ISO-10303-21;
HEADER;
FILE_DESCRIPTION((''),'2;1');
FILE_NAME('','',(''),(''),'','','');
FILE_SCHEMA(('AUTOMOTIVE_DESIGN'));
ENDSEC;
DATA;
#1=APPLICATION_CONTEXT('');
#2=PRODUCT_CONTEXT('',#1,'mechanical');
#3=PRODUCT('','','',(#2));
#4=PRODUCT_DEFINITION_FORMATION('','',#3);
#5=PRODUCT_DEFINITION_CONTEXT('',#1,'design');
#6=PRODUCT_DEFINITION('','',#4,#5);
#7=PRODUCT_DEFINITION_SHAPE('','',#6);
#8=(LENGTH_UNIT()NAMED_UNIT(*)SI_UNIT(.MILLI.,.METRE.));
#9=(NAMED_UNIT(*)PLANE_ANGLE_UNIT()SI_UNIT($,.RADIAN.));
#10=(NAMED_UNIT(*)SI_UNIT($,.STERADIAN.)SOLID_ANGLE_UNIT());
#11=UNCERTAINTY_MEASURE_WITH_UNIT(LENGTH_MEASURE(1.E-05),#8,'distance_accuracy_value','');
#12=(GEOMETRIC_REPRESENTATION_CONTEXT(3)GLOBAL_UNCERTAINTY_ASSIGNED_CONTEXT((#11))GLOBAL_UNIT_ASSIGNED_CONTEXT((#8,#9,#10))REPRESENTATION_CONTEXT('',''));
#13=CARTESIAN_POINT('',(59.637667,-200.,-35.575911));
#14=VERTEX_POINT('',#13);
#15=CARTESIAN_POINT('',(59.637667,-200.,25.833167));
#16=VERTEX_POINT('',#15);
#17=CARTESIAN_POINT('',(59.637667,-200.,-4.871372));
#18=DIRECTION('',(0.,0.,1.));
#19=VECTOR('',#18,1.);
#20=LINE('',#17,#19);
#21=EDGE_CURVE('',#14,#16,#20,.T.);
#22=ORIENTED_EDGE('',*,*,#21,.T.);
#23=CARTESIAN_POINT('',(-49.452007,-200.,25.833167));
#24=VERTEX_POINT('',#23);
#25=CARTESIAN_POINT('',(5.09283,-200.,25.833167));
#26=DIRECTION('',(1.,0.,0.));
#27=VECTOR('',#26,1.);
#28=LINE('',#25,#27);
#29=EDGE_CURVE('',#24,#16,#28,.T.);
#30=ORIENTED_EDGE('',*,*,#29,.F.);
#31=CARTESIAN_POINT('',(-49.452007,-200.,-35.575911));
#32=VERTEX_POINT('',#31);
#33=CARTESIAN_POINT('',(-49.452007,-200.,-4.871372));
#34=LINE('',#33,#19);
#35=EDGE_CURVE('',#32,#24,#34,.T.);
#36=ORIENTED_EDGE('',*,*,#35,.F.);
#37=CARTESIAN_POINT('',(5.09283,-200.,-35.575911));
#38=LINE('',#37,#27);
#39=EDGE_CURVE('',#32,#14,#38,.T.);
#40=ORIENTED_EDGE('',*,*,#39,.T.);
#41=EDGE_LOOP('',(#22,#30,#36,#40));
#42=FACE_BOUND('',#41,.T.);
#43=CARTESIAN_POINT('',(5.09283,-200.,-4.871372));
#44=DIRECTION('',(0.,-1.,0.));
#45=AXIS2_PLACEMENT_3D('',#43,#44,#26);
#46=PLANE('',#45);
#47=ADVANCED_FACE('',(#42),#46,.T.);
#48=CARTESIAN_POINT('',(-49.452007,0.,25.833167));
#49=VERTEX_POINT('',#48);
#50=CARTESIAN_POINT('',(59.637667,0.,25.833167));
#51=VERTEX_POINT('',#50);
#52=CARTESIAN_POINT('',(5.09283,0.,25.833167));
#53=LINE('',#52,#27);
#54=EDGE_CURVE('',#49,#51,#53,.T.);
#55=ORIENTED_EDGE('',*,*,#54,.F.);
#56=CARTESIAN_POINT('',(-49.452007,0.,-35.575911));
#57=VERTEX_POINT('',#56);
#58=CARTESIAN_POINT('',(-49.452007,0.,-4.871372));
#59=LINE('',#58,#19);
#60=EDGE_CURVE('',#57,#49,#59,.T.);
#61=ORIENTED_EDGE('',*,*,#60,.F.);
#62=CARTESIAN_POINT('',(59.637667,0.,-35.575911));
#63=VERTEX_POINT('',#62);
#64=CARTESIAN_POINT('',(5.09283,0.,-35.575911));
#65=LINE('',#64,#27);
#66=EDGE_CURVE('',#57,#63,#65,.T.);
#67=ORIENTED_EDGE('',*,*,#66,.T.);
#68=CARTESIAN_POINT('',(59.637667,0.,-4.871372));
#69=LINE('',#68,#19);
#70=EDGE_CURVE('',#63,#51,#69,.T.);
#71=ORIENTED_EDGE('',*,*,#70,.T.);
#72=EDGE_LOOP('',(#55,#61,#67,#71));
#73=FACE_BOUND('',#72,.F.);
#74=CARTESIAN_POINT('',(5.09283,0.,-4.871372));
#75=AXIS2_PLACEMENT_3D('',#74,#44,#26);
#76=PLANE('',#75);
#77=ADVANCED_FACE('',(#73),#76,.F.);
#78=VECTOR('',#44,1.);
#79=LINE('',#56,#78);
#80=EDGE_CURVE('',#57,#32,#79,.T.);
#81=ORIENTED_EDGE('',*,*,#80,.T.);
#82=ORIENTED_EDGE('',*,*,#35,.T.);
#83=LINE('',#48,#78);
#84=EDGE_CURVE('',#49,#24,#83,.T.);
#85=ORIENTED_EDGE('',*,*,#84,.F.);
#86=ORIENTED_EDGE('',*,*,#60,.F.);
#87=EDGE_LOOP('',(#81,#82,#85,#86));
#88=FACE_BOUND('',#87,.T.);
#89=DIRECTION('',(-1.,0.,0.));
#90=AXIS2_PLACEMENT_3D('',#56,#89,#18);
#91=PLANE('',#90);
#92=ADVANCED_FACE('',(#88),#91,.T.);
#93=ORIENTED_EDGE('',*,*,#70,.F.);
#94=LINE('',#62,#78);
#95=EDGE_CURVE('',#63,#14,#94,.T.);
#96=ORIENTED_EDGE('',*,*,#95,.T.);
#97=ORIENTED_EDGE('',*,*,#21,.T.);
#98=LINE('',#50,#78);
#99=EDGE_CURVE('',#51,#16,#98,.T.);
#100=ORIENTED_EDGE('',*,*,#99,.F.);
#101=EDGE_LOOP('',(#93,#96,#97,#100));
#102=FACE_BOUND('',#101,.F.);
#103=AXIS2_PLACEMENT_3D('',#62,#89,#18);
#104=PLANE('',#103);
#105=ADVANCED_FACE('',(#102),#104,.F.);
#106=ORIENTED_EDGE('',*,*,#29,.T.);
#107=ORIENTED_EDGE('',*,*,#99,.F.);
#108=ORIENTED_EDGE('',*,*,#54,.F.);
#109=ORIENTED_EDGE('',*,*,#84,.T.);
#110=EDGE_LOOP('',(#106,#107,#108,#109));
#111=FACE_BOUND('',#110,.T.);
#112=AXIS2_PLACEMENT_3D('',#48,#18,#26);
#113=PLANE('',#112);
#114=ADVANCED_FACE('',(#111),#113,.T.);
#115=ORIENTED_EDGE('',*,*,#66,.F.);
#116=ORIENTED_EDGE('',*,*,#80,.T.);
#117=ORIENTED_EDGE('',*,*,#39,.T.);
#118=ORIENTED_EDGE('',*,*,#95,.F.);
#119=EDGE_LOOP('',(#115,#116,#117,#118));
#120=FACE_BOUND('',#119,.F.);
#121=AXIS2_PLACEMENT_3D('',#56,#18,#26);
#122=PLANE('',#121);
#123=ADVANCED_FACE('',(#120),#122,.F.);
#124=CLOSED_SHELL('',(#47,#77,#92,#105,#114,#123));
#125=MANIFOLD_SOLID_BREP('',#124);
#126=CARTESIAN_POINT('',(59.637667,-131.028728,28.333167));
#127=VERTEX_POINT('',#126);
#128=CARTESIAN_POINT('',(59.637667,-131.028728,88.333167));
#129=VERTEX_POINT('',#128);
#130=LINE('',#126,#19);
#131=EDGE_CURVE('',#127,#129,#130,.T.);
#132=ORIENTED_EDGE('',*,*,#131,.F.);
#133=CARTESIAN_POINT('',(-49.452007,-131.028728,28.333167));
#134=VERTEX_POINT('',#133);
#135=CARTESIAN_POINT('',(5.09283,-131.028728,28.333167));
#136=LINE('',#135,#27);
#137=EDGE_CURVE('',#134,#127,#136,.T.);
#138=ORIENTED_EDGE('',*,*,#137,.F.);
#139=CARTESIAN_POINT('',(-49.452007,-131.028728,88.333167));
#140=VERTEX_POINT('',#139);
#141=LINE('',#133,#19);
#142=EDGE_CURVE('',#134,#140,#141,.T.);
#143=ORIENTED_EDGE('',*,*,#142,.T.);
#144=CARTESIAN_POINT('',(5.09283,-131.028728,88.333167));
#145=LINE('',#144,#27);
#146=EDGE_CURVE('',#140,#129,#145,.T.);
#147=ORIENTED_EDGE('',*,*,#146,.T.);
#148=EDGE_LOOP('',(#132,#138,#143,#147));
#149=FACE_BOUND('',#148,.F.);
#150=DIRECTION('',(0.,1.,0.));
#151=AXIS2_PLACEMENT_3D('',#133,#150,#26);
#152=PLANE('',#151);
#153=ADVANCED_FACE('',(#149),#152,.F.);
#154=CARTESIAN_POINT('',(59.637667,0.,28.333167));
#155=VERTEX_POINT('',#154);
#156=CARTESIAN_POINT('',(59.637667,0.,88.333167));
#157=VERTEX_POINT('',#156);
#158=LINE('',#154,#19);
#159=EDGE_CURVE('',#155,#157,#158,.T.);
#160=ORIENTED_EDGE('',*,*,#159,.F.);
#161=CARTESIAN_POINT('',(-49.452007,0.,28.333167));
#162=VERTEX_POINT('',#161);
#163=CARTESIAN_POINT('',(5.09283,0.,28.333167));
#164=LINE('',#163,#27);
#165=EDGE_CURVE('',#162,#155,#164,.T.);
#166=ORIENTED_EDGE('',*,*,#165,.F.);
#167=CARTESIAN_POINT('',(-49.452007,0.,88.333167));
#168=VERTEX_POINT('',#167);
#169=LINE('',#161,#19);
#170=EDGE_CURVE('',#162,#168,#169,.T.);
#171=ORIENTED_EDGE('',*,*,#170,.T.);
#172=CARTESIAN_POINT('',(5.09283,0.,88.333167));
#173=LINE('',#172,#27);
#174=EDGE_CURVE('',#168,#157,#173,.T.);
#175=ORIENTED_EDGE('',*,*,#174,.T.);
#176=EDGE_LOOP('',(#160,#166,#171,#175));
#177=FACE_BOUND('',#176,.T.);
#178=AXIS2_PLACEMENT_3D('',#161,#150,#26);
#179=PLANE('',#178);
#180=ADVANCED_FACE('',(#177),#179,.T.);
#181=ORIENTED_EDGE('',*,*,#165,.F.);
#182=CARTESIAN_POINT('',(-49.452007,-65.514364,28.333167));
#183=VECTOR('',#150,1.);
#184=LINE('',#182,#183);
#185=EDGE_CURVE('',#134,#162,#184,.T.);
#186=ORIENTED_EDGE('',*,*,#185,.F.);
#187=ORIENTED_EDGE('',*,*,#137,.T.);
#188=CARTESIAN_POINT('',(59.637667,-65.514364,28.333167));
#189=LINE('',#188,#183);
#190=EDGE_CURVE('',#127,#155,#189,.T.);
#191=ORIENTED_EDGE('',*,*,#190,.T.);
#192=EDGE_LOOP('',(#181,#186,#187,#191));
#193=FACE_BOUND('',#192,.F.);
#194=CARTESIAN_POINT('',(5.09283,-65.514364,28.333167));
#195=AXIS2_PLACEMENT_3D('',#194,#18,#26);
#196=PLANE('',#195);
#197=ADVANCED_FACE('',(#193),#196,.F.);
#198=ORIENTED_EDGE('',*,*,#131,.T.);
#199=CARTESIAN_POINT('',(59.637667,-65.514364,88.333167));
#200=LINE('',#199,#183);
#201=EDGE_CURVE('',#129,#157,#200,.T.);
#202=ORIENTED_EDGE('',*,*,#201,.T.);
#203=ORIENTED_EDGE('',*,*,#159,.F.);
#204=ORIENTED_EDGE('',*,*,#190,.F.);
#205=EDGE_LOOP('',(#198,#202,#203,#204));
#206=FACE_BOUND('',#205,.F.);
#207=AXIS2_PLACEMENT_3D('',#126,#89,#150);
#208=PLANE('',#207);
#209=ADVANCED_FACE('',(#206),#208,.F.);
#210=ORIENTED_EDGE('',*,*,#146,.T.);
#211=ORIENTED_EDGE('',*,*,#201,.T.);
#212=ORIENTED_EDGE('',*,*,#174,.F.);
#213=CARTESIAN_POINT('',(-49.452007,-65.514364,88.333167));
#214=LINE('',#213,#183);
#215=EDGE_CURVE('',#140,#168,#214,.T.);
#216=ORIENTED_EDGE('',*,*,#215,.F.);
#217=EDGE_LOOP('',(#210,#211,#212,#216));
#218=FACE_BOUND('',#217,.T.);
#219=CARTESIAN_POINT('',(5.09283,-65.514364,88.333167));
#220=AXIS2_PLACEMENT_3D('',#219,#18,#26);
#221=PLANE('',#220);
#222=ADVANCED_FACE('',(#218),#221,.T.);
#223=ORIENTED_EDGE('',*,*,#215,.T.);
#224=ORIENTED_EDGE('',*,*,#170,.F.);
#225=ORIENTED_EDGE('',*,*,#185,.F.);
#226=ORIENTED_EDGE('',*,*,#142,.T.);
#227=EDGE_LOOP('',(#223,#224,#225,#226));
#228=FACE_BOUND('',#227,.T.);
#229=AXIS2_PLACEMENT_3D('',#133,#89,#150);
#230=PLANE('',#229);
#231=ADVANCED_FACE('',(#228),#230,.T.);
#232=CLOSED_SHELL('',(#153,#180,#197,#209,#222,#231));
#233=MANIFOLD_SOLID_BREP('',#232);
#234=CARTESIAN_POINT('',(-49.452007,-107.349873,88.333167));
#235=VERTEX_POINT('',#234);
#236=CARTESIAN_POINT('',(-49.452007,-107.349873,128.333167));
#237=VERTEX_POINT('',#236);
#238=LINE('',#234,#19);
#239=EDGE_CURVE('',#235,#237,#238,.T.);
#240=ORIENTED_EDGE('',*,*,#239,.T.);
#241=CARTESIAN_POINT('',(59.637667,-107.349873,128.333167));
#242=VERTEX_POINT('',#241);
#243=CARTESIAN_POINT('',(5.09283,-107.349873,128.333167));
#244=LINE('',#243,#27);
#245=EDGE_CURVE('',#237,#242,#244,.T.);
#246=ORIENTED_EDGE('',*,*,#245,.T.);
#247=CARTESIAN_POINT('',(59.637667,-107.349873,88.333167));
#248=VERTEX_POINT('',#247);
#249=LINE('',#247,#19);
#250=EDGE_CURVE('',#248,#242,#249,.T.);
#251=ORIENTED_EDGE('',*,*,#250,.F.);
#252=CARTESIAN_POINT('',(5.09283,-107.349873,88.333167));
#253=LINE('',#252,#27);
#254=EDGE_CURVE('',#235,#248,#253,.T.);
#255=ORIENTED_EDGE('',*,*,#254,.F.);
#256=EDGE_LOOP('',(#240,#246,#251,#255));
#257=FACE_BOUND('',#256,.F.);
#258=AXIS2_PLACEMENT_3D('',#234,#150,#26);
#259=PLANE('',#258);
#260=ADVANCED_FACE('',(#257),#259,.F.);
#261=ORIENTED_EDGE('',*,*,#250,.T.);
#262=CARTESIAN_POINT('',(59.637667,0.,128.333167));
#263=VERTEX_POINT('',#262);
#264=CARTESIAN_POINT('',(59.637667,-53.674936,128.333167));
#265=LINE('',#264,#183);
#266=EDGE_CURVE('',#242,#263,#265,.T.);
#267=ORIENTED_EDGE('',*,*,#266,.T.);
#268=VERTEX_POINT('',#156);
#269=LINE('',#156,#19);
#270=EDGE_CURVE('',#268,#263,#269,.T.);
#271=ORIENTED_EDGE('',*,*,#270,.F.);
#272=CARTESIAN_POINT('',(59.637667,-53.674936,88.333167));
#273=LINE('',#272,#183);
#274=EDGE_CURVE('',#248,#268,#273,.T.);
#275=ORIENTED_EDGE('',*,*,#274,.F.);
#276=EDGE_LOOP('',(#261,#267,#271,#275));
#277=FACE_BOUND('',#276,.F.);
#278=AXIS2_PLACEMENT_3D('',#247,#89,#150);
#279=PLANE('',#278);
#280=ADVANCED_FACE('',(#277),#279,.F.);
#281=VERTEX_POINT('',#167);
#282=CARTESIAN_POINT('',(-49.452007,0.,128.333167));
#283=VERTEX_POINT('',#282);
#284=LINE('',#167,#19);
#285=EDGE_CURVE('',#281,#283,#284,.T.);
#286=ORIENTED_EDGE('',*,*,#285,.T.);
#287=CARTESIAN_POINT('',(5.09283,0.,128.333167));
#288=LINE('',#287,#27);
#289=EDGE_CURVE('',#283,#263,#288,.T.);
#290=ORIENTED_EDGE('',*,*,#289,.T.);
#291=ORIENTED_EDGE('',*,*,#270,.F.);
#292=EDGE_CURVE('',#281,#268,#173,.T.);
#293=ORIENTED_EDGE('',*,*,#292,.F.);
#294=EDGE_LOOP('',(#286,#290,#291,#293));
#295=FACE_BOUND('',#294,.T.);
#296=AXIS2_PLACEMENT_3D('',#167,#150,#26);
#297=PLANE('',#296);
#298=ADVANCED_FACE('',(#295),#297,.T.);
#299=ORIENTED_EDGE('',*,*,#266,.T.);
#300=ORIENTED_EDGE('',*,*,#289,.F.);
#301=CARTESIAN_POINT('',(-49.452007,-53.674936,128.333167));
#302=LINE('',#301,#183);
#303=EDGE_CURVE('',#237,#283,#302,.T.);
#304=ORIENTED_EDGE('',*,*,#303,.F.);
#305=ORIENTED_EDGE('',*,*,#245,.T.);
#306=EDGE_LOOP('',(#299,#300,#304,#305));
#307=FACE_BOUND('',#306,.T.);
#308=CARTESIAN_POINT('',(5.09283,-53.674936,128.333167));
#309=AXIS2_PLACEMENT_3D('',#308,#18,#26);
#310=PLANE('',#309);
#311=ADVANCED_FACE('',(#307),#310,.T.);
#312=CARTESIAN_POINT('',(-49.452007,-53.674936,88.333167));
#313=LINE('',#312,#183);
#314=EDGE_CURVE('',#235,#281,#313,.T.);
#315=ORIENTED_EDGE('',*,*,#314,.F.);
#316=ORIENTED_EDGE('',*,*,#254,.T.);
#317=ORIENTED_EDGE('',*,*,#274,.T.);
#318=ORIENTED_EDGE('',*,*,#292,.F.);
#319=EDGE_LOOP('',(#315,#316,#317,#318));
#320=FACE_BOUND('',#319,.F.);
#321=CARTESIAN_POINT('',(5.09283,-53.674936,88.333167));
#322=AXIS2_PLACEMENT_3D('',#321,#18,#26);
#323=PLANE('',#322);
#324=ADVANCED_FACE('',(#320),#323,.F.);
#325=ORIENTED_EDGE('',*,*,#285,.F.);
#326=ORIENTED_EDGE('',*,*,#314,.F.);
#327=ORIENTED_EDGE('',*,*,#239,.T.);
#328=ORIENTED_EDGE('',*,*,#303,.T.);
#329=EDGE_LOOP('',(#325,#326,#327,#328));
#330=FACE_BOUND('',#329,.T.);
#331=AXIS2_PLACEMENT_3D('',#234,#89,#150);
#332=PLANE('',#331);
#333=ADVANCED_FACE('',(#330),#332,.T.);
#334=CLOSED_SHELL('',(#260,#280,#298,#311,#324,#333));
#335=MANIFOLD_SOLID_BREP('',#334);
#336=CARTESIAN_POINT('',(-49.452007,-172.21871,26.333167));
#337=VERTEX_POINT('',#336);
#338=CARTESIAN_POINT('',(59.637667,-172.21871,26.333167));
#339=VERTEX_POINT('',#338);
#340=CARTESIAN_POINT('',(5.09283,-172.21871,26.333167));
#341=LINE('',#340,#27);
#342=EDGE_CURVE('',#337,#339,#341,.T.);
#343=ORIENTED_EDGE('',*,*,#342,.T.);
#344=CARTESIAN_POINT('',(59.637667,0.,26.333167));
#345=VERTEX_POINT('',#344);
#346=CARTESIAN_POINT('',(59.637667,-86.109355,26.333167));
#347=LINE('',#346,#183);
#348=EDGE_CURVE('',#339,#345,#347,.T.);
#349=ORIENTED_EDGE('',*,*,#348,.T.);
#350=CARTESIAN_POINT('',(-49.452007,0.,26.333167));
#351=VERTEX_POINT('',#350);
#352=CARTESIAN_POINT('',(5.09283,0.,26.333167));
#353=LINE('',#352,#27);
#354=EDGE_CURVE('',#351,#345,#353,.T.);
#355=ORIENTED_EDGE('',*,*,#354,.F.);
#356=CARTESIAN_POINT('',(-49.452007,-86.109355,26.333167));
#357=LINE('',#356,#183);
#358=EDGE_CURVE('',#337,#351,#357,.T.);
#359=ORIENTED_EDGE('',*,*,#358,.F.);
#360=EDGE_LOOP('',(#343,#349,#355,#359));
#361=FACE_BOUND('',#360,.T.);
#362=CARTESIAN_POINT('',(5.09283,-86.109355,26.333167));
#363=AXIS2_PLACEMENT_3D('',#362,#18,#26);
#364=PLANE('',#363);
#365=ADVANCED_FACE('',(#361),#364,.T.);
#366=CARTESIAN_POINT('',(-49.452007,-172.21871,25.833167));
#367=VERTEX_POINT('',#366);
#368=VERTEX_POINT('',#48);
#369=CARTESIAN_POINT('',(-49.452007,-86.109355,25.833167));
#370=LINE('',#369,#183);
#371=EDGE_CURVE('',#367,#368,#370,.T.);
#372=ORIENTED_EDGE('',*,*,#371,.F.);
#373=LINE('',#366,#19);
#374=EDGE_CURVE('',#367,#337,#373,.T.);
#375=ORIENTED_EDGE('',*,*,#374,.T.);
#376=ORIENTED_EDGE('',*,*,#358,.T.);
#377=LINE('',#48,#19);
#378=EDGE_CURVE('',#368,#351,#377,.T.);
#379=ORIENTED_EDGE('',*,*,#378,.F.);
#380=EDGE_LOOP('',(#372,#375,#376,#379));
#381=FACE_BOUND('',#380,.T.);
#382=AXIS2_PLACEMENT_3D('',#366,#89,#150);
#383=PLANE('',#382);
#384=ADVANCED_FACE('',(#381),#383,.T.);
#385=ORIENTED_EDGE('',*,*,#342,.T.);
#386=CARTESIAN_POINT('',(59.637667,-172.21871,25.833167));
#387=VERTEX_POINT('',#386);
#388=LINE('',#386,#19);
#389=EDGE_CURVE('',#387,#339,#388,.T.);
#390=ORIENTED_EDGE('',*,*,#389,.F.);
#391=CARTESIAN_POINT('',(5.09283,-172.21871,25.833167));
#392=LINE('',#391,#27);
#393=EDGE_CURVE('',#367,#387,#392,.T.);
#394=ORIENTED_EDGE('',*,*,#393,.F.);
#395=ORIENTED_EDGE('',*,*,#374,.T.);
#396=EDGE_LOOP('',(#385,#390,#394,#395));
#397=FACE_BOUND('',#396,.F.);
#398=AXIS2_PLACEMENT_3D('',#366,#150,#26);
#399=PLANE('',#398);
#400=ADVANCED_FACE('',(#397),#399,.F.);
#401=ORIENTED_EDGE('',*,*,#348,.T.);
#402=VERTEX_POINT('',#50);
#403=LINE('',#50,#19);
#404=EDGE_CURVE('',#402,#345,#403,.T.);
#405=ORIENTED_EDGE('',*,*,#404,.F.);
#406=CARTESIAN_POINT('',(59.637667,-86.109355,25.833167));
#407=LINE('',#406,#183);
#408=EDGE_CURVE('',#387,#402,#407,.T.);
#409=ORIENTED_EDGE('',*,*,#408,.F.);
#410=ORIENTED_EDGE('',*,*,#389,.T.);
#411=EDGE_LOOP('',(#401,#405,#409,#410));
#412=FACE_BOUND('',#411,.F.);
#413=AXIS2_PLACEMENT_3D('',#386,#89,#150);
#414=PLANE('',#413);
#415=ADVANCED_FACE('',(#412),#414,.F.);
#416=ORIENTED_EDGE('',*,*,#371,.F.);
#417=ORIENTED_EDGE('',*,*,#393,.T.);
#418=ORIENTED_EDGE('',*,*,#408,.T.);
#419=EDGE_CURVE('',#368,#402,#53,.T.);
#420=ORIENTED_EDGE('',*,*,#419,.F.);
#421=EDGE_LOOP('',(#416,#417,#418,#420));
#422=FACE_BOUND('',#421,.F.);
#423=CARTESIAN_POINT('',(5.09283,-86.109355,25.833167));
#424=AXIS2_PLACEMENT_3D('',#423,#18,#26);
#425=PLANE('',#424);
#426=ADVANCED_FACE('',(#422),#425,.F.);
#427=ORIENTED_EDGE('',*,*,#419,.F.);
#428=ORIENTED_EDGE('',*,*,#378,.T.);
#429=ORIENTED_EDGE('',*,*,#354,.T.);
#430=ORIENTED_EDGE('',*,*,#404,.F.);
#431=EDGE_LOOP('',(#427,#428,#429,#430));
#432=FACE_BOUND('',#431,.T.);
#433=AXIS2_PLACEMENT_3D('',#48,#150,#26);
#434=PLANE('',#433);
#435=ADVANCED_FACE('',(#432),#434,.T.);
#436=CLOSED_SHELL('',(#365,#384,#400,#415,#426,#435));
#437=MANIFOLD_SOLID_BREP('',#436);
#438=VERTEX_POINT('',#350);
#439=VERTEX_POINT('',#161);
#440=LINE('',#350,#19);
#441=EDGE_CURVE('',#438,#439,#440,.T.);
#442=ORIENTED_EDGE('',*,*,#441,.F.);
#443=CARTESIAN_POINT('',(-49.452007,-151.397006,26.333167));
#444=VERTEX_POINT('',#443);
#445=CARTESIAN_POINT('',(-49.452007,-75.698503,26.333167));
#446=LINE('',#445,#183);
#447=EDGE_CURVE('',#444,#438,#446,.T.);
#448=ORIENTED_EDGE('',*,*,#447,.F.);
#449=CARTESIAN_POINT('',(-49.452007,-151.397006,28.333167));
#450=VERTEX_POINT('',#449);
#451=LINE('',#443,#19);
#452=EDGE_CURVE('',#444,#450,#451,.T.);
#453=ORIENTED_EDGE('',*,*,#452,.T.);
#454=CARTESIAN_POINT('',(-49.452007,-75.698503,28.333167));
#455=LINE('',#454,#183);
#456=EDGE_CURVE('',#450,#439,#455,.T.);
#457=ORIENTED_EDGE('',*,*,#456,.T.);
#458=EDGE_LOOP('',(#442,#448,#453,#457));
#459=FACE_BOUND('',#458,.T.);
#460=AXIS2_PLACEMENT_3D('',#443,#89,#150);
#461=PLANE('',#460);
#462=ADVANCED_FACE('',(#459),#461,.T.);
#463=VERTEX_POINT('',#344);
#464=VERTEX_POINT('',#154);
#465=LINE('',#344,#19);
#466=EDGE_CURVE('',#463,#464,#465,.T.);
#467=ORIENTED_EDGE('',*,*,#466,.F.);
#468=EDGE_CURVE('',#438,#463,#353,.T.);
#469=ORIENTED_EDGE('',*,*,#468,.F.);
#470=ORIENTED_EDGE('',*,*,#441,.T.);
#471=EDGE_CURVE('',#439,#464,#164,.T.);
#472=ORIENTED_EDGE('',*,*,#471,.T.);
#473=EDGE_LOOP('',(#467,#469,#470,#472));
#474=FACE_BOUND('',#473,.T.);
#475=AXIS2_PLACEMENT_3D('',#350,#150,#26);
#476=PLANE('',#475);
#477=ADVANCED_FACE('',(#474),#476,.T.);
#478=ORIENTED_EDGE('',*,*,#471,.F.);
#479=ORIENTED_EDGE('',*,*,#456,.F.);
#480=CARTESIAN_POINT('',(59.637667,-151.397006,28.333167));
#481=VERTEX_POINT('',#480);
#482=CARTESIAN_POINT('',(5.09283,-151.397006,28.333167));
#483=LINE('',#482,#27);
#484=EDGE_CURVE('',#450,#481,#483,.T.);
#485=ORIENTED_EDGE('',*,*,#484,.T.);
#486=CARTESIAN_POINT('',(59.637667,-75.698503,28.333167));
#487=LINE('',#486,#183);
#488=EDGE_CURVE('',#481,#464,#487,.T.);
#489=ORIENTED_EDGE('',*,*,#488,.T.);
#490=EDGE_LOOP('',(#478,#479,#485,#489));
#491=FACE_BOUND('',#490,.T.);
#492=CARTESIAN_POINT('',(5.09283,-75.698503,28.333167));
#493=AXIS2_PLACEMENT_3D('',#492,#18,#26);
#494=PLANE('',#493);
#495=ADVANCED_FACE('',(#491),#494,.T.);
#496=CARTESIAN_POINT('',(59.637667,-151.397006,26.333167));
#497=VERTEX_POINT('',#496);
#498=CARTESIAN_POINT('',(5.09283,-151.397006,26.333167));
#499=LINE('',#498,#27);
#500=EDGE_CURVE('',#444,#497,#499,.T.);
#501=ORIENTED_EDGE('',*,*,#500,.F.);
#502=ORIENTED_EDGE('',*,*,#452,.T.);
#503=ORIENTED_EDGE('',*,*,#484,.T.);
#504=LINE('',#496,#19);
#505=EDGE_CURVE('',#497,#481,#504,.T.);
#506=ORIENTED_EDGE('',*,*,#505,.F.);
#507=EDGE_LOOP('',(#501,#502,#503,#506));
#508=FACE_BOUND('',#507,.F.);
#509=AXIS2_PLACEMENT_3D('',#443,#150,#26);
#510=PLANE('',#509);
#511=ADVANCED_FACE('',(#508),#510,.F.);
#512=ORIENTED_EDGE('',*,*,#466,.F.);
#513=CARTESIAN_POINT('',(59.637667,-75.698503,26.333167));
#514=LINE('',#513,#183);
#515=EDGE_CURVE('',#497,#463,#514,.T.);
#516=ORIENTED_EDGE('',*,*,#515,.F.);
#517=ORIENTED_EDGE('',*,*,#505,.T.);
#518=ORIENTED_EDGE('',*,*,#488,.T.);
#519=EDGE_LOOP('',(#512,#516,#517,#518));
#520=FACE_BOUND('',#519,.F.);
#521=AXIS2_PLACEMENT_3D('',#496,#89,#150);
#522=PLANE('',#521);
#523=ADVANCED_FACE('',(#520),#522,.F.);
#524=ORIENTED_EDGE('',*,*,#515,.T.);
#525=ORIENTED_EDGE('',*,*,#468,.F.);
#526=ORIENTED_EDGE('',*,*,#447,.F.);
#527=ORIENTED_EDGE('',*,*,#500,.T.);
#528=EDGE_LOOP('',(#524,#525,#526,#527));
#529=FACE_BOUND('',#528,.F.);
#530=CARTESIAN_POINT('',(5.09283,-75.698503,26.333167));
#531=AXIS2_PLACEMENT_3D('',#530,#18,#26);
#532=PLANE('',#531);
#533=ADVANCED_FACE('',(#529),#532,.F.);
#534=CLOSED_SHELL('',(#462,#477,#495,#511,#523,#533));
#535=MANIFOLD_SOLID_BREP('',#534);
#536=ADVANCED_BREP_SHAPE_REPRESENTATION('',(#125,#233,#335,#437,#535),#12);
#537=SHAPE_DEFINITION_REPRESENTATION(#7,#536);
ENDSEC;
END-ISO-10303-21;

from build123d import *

# Parameters (mm, degrees)
F0_W     = 109.089673
F0_H     = 61.409078
F1_DEPTH = 200
F2_W     = 109.089673
F2_H     = 172.21871
F3_DEPTH = 0.5
F4_W     = 109.089673
F4_H     = 151.397005
F5_DEPTH = 2
F6_W     = 109.089673
F6_H     = 131.028727
F7_DEPTH = 60
F8_W     = 109.089673
F8_H     = 107.349873
F9_DEPTH = 40


with BuildPart() as f1:
    # F0 (on Front) → F1 (new body)
    with BuildSketch(Plane.XZ):
        with Locations((5.09283, -4.871372)):
            Rectangle(F0_W, F0_H)
    extrude(amount=F1_DEPTH)


with BuildPart() as f3:
    # F2 (on face) → F3 (new body)
    with BuildSketch(Plane.XY.offset(25.833167)):
        with Locations((5.09283, -86.109355)):
            Rectangle(F2_W, F2_H)
    extrude(amount=F3_DEPTH)


with BuildPart() as f5:
    # F4 (on face) → F5 (new body)
    with BuildSketch(Plane.XY.offset(26.333167)):
        with Locations((5.09283, -75.698503)):
            Rectangle(F4_W, F4_H)
    extrude(amount=F5_DEPTH)


with BuildPart() as f7:
    # F6 (on face) → F7 (new body)
    with BuildSketch(Plane.XY.offset(28.333167)):
        with Locations((5.09283, -65.514364)):
            Rectangle(F6_W, F6_H)
    extrude(amount=F7_DEPTH)


with BuildPart() as f9:
    # F8 (on face) → F9 (new body)
    with BuildSketch(Plane.XY.offset(88.333167)):
        with Locations((5.09283, -53.674936)):
            Rectangle(F8_W, F8_H)
    extrude(amount=F9_DEPTH)


solid = Compound([f1.part, f3.part, f5.part, f7.part, f9.part])
